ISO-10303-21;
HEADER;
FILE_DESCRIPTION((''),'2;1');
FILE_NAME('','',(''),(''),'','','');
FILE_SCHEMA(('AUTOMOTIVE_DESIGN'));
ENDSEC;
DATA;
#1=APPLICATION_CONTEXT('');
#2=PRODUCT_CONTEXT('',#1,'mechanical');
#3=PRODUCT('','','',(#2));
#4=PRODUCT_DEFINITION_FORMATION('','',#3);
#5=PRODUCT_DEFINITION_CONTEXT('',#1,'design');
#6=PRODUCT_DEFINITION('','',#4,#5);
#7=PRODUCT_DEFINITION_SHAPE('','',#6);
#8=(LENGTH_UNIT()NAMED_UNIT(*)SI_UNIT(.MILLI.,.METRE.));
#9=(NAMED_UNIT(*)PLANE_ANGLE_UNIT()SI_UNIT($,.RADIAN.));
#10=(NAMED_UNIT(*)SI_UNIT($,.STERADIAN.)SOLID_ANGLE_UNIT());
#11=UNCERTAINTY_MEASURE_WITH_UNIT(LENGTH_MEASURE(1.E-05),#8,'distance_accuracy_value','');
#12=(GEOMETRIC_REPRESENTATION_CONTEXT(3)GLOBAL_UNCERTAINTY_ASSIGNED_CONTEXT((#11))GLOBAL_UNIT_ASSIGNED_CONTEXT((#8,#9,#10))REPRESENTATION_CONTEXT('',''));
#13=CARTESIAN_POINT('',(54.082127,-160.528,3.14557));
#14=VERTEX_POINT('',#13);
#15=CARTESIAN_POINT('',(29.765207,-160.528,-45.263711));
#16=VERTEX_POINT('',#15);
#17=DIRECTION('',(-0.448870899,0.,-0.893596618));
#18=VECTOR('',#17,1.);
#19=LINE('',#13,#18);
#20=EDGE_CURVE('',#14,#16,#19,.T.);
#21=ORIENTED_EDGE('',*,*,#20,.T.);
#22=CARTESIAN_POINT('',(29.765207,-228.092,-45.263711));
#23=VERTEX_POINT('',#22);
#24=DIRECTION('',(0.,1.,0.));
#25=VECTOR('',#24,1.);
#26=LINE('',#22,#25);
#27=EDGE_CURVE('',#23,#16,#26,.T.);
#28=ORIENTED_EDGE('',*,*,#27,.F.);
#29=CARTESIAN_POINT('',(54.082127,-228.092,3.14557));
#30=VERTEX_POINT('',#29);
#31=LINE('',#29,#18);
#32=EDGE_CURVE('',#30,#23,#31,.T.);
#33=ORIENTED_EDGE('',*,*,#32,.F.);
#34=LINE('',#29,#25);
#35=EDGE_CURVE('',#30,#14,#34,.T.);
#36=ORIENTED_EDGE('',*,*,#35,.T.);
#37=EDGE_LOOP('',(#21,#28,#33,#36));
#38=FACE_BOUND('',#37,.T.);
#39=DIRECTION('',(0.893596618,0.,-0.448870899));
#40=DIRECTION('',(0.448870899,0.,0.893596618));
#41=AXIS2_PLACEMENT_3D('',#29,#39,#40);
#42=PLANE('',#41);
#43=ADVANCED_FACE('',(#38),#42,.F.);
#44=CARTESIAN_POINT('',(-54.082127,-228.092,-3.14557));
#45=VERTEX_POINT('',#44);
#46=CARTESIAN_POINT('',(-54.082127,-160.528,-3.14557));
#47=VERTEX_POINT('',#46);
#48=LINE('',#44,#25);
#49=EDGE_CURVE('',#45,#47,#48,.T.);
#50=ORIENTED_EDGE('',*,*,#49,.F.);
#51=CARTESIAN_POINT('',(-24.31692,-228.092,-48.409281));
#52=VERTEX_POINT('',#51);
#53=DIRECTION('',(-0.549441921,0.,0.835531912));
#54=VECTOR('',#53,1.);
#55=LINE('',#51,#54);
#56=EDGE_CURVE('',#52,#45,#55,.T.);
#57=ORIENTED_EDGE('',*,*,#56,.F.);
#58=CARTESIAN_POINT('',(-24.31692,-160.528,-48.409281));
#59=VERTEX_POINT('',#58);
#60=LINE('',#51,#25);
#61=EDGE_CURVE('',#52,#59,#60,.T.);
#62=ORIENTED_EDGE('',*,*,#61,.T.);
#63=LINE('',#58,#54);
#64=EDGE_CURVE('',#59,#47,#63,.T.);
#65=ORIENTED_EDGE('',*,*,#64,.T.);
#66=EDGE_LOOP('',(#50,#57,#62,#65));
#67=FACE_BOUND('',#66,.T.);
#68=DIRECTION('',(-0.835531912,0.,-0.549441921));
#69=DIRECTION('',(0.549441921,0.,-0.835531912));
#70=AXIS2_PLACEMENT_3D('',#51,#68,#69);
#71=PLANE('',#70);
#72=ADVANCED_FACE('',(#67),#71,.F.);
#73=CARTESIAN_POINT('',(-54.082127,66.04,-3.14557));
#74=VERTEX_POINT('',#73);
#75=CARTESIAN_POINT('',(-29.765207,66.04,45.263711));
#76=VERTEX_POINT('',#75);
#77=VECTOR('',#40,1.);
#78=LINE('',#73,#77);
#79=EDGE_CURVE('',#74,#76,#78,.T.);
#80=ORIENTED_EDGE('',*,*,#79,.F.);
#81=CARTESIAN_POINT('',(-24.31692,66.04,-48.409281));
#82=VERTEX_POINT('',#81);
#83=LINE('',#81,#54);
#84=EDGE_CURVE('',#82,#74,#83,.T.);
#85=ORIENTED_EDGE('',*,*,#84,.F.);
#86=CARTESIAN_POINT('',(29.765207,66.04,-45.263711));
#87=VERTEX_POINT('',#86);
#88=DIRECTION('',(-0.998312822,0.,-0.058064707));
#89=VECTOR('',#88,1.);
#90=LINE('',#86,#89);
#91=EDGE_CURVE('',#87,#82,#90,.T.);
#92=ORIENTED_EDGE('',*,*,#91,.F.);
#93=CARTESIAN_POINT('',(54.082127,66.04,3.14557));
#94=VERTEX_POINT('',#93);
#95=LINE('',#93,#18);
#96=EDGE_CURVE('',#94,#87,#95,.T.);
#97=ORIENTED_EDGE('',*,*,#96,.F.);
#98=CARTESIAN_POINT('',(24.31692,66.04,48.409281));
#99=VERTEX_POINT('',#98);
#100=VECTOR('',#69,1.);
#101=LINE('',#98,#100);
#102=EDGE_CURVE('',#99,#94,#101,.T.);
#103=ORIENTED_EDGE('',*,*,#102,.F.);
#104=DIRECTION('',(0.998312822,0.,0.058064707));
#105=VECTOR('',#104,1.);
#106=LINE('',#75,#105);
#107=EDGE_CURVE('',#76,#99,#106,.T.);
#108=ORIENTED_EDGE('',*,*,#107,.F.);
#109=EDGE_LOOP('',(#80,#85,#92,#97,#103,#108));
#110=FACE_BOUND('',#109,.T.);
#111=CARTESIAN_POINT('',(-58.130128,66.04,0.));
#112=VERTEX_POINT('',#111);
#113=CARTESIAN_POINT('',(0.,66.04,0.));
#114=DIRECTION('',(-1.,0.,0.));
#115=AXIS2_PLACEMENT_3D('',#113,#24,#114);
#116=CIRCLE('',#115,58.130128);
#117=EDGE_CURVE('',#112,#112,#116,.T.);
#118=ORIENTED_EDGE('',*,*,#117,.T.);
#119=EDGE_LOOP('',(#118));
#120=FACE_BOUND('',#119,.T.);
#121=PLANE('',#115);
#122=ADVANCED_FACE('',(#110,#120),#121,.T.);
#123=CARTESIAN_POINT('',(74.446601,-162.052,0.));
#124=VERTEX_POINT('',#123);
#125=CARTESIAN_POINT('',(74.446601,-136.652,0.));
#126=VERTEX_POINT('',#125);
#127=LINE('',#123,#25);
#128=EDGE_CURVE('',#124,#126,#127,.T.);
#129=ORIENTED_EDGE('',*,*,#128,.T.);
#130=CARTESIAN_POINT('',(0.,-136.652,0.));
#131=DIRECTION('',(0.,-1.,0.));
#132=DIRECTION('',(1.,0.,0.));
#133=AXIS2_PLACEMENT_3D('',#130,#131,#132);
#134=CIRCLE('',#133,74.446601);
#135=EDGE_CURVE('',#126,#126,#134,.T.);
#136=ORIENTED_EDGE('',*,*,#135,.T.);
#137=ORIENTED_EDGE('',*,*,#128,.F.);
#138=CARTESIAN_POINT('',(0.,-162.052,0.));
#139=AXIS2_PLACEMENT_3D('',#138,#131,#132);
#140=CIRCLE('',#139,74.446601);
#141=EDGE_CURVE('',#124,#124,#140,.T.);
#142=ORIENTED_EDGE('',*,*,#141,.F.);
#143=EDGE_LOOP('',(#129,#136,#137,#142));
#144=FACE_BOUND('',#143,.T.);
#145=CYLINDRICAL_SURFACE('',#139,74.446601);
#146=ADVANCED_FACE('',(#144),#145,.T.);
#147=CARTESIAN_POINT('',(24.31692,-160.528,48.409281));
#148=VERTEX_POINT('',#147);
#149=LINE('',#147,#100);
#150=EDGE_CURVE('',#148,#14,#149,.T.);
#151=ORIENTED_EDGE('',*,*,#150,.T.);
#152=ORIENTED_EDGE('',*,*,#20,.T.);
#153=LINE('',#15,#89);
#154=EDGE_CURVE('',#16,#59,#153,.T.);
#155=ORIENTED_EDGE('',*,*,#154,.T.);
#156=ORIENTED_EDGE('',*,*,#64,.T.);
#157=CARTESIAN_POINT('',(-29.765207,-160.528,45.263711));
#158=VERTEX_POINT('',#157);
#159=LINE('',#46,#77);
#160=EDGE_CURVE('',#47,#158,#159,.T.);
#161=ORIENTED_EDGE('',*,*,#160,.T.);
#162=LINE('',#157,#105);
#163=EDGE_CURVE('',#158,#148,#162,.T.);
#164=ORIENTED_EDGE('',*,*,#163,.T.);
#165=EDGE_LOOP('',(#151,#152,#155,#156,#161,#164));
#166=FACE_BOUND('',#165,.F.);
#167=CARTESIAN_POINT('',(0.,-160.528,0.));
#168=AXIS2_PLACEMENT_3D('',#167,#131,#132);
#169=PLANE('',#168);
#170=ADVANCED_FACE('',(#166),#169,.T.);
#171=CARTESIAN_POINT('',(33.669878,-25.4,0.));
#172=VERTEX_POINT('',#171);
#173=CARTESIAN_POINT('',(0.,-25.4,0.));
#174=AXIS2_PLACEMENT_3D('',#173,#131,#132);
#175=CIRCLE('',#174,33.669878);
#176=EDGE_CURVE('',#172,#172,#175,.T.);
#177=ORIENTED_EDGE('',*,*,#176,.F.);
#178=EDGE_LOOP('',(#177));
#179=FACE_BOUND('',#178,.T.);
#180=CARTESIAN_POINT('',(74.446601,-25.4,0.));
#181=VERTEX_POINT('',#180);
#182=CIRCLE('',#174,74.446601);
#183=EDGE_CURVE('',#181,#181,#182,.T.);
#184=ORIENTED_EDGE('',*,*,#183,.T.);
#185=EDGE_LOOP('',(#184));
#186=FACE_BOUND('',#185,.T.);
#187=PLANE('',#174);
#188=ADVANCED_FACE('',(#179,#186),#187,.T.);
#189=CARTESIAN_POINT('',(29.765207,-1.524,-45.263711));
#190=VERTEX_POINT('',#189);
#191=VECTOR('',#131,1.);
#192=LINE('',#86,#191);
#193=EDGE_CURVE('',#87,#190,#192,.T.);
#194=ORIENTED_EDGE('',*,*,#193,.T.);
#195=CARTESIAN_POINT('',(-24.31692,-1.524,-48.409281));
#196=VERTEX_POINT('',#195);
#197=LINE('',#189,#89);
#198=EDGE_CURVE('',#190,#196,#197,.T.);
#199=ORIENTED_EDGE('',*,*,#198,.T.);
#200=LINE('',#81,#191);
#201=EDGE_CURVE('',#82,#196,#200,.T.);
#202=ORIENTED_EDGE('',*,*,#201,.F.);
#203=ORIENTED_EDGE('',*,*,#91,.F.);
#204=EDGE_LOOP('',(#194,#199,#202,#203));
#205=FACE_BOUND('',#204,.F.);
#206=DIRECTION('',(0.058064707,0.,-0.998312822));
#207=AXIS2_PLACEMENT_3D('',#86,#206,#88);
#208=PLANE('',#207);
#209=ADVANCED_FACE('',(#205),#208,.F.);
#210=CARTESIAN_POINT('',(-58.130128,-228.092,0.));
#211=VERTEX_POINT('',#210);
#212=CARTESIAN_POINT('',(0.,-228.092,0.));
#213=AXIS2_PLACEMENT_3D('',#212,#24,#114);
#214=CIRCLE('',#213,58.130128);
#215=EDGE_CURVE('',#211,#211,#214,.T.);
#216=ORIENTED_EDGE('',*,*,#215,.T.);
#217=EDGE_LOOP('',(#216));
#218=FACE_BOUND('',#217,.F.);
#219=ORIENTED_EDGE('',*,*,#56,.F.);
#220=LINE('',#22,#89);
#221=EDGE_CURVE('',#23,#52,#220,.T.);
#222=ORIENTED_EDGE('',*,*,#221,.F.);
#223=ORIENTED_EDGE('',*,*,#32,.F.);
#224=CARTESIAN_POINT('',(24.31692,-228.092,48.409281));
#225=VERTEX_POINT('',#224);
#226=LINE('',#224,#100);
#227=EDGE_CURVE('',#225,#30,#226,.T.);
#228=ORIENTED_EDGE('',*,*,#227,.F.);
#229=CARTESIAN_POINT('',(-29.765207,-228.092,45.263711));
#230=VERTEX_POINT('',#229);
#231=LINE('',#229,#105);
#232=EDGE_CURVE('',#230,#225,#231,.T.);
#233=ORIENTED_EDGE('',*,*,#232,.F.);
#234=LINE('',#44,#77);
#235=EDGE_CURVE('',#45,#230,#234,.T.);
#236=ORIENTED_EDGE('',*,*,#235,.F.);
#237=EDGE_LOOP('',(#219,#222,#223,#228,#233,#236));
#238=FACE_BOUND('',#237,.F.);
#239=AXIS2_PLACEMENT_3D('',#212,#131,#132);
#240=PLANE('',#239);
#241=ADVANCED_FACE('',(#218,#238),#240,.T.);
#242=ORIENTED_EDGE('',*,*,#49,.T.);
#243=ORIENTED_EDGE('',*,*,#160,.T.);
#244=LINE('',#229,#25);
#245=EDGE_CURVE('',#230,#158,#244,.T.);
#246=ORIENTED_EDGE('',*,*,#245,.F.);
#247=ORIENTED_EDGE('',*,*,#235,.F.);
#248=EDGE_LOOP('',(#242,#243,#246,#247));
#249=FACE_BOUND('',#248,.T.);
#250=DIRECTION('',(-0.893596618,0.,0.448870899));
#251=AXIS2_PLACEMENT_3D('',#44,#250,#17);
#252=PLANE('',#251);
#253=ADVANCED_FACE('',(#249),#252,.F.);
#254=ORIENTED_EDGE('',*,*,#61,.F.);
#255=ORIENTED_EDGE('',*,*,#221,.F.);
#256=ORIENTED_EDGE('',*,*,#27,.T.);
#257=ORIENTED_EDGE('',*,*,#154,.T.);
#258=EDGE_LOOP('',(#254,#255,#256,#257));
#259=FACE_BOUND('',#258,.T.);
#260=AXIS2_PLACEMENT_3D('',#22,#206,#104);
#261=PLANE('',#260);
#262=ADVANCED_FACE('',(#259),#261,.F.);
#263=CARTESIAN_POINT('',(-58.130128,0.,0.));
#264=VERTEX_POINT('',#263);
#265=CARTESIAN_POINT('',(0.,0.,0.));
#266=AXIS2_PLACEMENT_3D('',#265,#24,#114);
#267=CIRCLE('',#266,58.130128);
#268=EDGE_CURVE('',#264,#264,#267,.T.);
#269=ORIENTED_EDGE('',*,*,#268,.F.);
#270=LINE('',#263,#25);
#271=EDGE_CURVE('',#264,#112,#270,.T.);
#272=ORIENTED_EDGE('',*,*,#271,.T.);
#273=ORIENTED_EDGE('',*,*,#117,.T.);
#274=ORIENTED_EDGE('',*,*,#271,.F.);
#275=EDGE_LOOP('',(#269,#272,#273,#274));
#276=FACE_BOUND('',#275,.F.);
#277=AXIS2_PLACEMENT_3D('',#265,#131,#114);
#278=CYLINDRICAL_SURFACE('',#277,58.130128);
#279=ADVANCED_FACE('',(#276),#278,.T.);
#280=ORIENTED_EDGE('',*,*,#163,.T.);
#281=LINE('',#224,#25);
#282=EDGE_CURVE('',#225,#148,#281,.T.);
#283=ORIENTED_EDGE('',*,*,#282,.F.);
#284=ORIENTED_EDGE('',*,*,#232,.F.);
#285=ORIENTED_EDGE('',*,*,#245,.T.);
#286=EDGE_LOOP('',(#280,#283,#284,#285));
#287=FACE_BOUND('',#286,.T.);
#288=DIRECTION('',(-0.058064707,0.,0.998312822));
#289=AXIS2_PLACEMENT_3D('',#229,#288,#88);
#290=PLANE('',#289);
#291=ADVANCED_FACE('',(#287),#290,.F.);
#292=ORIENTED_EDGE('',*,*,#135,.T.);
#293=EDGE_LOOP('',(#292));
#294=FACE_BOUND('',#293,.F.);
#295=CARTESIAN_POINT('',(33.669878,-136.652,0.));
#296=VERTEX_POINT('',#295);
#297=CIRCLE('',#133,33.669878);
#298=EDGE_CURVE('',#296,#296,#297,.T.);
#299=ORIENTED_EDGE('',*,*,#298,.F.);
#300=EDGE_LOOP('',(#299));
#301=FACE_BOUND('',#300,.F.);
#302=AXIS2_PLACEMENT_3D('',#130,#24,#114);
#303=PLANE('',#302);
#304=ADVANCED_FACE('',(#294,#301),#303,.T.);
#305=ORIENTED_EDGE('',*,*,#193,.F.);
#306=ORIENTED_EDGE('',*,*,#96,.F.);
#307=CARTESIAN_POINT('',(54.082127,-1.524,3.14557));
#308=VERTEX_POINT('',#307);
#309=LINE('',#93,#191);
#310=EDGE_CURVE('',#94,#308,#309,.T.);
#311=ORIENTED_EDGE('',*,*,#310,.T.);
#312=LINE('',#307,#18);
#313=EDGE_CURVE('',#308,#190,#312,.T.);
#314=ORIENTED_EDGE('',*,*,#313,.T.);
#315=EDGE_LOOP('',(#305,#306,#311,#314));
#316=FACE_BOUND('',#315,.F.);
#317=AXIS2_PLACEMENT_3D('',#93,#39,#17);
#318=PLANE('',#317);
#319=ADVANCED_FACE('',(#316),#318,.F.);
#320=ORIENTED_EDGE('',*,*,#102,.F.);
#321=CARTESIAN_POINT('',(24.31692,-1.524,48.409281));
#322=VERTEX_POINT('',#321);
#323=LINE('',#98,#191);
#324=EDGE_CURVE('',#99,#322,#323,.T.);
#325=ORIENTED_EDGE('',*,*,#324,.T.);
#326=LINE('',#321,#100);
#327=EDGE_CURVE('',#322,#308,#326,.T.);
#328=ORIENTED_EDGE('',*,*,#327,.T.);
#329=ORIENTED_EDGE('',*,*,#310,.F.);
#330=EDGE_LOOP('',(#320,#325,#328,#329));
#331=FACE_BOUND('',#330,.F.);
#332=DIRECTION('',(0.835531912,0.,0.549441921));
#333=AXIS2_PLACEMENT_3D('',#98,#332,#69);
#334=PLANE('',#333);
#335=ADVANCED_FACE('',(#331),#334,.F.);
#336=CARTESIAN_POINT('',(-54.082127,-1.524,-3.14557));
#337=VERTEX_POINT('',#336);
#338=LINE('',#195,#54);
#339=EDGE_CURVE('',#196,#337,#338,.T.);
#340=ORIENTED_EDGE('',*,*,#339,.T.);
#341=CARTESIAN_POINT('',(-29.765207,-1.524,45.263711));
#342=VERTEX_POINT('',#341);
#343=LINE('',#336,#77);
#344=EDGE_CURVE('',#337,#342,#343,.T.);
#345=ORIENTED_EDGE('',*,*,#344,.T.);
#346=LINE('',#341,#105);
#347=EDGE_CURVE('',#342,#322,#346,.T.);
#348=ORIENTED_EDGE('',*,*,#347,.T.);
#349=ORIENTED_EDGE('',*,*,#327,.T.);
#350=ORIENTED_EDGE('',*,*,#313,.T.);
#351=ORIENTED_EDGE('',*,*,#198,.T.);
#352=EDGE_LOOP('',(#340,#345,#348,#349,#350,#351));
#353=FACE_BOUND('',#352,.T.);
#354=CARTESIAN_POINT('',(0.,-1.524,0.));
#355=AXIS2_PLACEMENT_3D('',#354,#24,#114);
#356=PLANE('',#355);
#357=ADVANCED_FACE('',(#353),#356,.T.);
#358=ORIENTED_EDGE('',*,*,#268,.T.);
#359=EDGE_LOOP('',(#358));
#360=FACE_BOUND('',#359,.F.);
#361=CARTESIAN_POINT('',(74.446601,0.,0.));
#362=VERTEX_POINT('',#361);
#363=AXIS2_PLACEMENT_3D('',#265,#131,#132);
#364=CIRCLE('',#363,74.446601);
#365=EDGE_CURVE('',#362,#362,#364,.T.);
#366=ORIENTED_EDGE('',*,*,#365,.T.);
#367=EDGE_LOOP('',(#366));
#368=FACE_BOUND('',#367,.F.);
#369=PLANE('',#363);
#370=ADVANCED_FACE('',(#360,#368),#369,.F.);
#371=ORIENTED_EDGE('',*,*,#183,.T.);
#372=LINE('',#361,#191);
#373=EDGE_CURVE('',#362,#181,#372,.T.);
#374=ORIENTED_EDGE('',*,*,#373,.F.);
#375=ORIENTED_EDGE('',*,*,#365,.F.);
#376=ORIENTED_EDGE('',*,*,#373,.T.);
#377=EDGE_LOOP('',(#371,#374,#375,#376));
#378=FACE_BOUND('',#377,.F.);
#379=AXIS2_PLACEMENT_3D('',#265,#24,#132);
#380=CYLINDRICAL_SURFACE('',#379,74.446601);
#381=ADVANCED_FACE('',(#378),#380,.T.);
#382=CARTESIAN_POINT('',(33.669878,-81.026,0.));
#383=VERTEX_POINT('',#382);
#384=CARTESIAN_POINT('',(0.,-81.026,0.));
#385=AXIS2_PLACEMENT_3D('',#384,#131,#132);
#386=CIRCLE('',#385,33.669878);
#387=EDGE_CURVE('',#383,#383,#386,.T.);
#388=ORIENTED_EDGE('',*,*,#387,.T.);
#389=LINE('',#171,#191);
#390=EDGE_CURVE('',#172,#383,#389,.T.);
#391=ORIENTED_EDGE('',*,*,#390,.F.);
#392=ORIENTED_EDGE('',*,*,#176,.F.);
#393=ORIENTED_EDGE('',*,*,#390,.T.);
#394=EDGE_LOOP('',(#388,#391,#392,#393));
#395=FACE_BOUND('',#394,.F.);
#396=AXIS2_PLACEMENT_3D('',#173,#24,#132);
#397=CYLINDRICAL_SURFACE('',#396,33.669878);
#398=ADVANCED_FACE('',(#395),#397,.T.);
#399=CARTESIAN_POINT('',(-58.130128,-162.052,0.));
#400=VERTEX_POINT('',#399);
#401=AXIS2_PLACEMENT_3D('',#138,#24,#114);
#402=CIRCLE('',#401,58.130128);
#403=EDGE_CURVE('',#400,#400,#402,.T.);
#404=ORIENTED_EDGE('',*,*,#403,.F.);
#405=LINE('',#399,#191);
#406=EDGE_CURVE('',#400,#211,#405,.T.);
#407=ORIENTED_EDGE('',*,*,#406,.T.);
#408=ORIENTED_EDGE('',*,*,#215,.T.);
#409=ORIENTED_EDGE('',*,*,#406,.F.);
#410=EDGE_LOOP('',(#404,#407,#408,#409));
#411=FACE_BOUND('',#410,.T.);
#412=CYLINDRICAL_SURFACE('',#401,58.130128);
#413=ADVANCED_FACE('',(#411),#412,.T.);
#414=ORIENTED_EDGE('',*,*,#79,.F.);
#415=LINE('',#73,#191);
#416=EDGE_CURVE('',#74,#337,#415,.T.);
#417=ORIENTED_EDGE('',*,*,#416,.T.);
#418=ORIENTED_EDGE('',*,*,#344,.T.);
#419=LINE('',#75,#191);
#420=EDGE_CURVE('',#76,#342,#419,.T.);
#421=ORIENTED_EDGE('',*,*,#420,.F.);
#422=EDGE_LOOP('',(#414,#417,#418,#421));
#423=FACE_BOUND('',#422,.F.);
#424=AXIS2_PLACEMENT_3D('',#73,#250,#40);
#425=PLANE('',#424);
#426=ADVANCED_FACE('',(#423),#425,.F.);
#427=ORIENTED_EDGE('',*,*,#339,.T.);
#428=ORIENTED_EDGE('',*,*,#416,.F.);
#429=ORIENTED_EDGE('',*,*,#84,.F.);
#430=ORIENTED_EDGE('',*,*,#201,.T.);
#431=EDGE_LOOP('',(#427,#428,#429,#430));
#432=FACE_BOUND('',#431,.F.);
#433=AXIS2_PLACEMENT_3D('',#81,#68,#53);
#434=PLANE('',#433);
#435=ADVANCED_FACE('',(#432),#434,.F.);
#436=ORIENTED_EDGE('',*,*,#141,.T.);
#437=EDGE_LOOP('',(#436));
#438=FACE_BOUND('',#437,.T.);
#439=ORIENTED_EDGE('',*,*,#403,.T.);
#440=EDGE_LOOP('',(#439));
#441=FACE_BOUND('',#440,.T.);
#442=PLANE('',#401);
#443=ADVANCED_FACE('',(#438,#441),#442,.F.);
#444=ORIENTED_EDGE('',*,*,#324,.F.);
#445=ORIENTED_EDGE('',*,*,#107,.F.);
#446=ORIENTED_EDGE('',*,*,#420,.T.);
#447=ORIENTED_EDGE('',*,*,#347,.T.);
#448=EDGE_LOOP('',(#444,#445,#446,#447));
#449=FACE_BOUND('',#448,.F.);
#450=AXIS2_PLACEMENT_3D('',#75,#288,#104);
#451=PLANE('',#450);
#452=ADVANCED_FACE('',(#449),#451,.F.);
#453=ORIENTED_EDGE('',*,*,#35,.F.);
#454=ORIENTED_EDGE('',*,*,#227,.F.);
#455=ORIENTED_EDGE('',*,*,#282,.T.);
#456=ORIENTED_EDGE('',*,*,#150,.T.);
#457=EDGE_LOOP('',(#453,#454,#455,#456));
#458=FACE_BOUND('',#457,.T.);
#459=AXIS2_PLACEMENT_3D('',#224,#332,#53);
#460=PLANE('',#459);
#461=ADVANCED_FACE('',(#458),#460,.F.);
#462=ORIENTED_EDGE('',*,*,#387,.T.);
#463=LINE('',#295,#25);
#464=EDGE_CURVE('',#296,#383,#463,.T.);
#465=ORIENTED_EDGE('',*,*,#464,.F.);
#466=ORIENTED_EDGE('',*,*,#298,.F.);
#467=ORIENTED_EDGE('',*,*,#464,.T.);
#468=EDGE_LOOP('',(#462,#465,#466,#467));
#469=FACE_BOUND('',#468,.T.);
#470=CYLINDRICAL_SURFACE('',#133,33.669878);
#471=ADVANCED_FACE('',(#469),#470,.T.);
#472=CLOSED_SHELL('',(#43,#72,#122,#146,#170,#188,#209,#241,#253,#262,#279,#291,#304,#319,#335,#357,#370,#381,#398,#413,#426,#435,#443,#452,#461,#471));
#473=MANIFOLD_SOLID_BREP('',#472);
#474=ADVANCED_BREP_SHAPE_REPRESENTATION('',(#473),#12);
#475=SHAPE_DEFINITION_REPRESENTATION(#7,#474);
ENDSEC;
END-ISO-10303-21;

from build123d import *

# Parameters (mm, degrees)
F0_R     = 74.446601
F1_DEPTH = 25.4
F2_R     = 58.130128
F3_DEPTH = 66.04
F5_DEPTH = 67.564
F6_R     = 33.669878
F7_DEPTH = 55.626


with BuildPart() as f1:
    # F0 (on Front) → F1 (new body)
    with BuildSketch(Plane.XZ):
        Circle(F0_R)
    extrude(amount=F1_DEPTH)

    # F2 (on face) → F3 (join)
    with BuildSketch(Plane(origin=(0, 0, 0), x_dir=(-1, 0, 0), z_dir=(0, 1, 0))):
        Circle(F2_R)
    extrude(amount=F3_DEPTH)

    # F4 (on face) → F5 (cut)
    with BuildSketch(Plane(origin=(0, 66.04, 0), x_dir=(-1, 0, 0), z_dir=(0, 1, 0))):
        Polygon((24.31692, -48.409281), (54.082127, -3.14557), (29.765207, 45.263711), (-24.31692, 48.409281), (-54.082127, 3.14557), (-29.765207, -45.263711), align=None)
    extrude(amount=-F5_DEPTH, mode=Mode.SUBTRACT)

    # F6 (on face) → F7 (join)
    with BuildSketch(Plane.XZ.offset(25.4)):
        Circle(F6_R)
    extrude(amount=F7_DEPTH)

    # F8: F1 across face


with BuildPart() as f1_1:
    add(f1.part)
    add(f1.part.mirror(Plane.XZ.offset(81.026)))


solid = f1_1.part
